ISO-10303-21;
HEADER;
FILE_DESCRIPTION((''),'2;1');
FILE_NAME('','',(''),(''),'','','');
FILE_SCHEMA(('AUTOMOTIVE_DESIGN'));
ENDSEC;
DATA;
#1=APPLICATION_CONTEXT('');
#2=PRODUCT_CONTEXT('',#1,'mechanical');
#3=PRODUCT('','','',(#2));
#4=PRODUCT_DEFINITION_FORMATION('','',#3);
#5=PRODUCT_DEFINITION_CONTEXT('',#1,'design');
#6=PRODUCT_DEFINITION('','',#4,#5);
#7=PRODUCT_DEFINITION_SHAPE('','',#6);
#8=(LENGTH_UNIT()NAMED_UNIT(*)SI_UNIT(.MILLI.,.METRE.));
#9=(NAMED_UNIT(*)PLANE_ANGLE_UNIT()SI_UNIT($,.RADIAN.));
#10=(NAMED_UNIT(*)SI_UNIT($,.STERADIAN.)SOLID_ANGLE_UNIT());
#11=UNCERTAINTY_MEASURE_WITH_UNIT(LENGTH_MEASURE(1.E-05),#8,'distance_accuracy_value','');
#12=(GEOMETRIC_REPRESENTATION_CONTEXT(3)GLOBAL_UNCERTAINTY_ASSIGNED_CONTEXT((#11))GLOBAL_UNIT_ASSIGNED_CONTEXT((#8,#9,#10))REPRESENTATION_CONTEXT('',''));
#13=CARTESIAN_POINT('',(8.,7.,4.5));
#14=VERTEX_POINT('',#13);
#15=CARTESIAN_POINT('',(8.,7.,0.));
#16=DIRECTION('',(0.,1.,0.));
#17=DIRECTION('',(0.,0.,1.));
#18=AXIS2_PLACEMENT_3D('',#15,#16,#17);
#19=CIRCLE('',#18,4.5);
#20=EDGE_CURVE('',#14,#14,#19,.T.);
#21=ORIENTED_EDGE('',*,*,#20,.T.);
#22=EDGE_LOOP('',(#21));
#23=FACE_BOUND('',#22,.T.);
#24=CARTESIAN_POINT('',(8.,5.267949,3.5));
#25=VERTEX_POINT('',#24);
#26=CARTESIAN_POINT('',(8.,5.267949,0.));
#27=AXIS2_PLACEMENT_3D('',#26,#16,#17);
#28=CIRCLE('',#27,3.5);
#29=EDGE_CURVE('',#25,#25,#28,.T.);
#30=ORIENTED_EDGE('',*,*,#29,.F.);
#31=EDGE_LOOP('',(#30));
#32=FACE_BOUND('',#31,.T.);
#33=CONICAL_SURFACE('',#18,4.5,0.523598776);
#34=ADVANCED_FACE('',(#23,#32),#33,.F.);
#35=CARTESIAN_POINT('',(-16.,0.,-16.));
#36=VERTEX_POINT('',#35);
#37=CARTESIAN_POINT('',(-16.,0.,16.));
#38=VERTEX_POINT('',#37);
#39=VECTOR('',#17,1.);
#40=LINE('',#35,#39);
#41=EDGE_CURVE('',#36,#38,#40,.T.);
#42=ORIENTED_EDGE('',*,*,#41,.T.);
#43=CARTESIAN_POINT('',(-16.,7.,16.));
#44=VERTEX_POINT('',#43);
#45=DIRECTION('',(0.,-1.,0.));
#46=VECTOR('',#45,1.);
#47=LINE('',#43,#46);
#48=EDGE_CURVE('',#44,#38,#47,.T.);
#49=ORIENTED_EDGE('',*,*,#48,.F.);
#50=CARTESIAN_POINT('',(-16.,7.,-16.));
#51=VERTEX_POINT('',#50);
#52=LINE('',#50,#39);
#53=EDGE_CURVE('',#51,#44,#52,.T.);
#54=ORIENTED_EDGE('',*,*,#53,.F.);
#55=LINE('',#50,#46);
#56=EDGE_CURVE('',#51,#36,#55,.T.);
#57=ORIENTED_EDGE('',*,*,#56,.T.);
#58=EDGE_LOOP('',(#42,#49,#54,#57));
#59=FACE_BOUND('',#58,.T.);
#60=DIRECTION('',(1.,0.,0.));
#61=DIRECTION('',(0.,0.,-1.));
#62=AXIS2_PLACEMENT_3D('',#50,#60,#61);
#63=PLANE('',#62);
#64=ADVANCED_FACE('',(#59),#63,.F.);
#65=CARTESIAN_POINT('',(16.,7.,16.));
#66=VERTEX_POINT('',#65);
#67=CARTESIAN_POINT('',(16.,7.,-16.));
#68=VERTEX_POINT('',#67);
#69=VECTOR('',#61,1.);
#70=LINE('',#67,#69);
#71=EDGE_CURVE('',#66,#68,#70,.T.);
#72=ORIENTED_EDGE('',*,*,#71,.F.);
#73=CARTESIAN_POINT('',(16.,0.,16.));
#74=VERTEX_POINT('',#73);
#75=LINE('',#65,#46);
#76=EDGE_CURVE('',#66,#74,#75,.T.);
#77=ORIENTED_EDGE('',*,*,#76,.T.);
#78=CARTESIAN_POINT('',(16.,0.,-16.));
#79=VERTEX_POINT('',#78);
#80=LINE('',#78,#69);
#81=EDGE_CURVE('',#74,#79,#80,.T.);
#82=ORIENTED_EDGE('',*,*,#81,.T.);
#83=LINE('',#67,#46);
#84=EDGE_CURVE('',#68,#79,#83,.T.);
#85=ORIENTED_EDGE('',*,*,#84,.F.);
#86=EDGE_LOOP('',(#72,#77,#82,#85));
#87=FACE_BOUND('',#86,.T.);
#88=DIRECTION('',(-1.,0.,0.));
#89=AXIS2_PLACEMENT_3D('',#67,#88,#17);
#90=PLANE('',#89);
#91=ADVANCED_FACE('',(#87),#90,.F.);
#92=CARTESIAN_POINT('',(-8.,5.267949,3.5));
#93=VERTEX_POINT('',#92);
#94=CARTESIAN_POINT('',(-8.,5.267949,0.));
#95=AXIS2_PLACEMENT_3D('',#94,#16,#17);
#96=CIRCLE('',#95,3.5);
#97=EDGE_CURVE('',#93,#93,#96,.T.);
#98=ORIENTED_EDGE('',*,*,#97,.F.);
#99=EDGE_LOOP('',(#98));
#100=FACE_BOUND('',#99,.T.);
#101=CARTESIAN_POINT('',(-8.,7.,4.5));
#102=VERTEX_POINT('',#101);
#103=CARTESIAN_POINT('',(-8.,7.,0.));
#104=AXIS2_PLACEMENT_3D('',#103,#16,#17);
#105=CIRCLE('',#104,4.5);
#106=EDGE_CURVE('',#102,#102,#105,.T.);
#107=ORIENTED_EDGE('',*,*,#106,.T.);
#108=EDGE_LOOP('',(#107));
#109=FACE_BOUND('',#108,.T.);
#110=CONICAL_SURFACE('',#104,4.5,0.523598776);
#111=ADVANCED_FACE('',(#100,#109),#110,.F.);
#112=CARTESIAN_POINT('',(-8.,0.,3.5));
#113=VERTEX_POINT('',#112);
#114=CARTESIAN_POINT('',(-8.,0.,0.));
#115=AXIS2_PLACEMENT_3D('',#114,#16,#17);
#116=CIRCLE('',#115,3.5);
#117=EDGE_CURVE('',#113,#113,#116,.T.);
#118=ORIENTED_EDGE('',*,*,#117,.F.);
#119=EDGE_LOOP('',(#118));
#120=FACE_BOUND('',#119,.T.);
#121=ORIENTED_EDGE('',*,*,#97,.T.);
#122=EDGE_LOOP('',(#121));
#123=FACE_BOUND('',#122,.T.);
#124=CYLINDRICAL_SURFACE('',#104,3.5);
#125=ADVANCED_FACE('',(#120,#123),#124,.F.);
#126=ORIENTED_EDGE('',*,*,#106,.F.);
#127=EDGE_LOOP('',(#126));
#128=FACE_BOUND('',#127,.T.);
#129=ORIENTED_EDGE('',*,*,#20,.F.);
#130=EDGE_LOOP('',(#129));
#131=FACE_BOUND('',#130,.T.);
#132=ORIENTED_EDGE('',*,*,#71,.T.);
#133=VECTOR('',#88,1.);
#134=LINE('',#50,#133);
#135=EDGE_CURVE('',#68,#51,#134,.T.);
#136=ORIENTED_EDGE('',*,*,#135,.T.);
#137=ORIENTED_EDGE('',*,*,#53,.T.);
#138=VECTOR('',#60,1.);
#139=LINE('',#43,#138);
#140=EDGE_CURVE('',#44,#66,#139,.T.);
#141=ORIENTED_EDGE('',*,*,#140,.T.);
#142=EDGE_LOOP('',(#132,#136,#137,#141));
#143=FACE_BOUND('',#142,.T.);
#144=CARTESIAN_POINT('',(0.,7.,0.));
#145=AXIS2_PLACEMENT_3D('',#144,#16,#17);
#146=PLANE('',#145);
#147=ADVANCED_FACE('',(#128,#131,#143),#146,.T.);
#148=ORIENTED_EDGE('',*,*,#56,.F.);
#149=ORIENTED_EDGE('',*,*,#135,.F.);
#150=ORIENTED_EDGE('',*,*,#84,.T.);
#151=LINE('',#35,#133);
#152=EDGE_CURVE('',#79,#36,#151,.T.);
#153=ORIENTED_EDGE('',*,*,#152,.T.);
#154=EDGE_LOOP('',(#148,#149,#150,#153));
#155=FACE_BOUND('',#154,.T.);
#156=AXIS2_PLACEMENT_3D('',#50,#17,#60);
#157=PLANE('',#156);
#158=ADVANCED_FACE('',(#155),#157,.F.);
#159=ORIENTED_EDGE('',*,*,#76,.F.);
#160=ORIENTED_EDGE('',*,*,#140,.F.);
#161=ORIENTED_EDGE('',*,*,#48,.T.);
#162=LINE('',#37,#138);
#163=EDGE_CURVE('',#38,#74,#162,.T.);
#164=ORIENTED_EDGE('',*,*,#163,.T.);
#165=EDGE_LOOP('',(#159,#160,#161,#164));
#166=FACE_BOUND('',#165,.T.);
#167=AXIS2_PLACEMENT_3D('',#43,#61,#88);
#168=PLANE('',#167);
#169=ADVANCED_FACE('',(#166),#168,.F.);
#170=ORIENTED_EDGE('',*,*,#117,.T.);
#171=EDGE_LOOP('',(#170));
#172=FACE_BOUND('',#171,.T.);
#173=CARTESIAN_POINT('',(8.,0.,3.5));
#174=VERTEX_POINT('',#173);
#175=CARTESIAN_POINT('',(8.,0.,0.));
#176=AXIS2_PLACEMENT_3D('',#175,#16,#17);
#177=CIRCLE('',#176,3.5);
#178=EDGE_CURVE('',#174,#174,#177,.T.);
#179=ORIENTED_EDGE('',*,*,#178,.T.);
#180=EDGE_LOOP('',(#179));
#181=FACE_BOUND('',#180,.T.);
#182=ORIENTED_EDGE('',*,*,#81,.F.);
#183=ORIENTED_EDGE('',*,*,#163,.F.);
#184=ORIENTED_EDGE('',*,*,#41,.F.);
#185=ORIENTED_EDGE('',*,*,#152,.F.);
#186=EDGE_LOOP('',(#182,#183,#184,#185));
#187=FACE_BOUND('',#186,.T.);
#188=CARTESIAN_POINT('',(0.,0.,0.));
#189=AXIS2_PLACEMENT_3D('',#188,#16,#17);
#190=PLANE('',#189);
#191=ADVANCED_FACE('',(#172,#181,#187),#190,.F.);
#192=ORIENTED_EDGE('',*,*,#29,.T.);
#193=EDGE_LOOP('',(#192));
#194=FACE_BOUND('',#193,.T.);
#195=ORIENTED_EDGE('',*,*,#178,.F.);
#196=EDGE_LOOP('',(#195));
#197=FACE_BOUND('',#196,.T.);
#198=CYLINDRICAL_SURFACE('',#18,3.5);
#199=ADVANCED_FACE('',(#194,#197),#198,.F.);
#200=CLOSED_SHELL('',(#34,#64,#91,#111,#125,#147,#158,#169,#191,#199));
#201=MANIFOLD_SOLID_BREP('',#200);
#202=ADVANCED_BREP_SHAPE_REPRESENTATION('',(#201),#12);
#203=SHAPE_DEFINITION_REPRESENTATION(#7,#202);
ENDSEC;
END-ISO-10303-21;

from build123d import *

# Parameters (mm, degrees)
SKETCH1_W                                      = 32
SKETCH1_H                                      = 32
BOSS_EXTRUDE1_DEPTH                            = 7
CSK_FOR_M2_FLAT_HEAD_MACHINE_SCREW1_AT_2_COUNT = 2
CSK_FOR_M2_FLAT_HEAD_MACHINE_SCREW1_AT_2_PITCH = 16


with BuildPart() as part:
    # Sketch1 → Boss-Extrude1 (new body)
    with BuildSketch(Plane(origin=(0, 0, 0), x_dir=(1, 0, 0), z_dir=(0, 1, 0))):
        Rectangle(SKETCH1_W, SKETCH1_H)
    extrude(amount=BOSS_EXTRUDE1_DEPTH)

    # Sketch5 → CSK for M2 Flat Head Machine Screw1 (revolve, cut)
    with BuildSketch(Plane(origin=(-8, 7, 0), x_dir=(0, 0, 1), z_dir=(1, 0, 0))):
        Polygon((0, 0), (0, 7), (3.5, 7), (3.5, 1.732050808), (4.5, 0), align=None)
    csk_for_m2_flat_head_machine_screw1 = revolve(axis=Axis((-8, 13.35, 0), (0, -1, 0)), mode=Mode.SUBTRACT)

    # CSK for M2 Flat Head Machine Screw1 at 2: CSK for M2 Flat Head Machine Screw1 ×2
    with Locations(*[(i * CSK_FOR_M2_FLAT_HEAD_MACHINE_SCREW1_AT_2_PITCH, 0, 0) for i in range(1, CSK_FOR_M2_FLAT_HEAD_MACHINE_SCREW1_AT_2_COUNT)]):
        add(csk_for_m2_flat_head_machine_screw1, mode=Mode.SUBTRACT)


solid = part.part
